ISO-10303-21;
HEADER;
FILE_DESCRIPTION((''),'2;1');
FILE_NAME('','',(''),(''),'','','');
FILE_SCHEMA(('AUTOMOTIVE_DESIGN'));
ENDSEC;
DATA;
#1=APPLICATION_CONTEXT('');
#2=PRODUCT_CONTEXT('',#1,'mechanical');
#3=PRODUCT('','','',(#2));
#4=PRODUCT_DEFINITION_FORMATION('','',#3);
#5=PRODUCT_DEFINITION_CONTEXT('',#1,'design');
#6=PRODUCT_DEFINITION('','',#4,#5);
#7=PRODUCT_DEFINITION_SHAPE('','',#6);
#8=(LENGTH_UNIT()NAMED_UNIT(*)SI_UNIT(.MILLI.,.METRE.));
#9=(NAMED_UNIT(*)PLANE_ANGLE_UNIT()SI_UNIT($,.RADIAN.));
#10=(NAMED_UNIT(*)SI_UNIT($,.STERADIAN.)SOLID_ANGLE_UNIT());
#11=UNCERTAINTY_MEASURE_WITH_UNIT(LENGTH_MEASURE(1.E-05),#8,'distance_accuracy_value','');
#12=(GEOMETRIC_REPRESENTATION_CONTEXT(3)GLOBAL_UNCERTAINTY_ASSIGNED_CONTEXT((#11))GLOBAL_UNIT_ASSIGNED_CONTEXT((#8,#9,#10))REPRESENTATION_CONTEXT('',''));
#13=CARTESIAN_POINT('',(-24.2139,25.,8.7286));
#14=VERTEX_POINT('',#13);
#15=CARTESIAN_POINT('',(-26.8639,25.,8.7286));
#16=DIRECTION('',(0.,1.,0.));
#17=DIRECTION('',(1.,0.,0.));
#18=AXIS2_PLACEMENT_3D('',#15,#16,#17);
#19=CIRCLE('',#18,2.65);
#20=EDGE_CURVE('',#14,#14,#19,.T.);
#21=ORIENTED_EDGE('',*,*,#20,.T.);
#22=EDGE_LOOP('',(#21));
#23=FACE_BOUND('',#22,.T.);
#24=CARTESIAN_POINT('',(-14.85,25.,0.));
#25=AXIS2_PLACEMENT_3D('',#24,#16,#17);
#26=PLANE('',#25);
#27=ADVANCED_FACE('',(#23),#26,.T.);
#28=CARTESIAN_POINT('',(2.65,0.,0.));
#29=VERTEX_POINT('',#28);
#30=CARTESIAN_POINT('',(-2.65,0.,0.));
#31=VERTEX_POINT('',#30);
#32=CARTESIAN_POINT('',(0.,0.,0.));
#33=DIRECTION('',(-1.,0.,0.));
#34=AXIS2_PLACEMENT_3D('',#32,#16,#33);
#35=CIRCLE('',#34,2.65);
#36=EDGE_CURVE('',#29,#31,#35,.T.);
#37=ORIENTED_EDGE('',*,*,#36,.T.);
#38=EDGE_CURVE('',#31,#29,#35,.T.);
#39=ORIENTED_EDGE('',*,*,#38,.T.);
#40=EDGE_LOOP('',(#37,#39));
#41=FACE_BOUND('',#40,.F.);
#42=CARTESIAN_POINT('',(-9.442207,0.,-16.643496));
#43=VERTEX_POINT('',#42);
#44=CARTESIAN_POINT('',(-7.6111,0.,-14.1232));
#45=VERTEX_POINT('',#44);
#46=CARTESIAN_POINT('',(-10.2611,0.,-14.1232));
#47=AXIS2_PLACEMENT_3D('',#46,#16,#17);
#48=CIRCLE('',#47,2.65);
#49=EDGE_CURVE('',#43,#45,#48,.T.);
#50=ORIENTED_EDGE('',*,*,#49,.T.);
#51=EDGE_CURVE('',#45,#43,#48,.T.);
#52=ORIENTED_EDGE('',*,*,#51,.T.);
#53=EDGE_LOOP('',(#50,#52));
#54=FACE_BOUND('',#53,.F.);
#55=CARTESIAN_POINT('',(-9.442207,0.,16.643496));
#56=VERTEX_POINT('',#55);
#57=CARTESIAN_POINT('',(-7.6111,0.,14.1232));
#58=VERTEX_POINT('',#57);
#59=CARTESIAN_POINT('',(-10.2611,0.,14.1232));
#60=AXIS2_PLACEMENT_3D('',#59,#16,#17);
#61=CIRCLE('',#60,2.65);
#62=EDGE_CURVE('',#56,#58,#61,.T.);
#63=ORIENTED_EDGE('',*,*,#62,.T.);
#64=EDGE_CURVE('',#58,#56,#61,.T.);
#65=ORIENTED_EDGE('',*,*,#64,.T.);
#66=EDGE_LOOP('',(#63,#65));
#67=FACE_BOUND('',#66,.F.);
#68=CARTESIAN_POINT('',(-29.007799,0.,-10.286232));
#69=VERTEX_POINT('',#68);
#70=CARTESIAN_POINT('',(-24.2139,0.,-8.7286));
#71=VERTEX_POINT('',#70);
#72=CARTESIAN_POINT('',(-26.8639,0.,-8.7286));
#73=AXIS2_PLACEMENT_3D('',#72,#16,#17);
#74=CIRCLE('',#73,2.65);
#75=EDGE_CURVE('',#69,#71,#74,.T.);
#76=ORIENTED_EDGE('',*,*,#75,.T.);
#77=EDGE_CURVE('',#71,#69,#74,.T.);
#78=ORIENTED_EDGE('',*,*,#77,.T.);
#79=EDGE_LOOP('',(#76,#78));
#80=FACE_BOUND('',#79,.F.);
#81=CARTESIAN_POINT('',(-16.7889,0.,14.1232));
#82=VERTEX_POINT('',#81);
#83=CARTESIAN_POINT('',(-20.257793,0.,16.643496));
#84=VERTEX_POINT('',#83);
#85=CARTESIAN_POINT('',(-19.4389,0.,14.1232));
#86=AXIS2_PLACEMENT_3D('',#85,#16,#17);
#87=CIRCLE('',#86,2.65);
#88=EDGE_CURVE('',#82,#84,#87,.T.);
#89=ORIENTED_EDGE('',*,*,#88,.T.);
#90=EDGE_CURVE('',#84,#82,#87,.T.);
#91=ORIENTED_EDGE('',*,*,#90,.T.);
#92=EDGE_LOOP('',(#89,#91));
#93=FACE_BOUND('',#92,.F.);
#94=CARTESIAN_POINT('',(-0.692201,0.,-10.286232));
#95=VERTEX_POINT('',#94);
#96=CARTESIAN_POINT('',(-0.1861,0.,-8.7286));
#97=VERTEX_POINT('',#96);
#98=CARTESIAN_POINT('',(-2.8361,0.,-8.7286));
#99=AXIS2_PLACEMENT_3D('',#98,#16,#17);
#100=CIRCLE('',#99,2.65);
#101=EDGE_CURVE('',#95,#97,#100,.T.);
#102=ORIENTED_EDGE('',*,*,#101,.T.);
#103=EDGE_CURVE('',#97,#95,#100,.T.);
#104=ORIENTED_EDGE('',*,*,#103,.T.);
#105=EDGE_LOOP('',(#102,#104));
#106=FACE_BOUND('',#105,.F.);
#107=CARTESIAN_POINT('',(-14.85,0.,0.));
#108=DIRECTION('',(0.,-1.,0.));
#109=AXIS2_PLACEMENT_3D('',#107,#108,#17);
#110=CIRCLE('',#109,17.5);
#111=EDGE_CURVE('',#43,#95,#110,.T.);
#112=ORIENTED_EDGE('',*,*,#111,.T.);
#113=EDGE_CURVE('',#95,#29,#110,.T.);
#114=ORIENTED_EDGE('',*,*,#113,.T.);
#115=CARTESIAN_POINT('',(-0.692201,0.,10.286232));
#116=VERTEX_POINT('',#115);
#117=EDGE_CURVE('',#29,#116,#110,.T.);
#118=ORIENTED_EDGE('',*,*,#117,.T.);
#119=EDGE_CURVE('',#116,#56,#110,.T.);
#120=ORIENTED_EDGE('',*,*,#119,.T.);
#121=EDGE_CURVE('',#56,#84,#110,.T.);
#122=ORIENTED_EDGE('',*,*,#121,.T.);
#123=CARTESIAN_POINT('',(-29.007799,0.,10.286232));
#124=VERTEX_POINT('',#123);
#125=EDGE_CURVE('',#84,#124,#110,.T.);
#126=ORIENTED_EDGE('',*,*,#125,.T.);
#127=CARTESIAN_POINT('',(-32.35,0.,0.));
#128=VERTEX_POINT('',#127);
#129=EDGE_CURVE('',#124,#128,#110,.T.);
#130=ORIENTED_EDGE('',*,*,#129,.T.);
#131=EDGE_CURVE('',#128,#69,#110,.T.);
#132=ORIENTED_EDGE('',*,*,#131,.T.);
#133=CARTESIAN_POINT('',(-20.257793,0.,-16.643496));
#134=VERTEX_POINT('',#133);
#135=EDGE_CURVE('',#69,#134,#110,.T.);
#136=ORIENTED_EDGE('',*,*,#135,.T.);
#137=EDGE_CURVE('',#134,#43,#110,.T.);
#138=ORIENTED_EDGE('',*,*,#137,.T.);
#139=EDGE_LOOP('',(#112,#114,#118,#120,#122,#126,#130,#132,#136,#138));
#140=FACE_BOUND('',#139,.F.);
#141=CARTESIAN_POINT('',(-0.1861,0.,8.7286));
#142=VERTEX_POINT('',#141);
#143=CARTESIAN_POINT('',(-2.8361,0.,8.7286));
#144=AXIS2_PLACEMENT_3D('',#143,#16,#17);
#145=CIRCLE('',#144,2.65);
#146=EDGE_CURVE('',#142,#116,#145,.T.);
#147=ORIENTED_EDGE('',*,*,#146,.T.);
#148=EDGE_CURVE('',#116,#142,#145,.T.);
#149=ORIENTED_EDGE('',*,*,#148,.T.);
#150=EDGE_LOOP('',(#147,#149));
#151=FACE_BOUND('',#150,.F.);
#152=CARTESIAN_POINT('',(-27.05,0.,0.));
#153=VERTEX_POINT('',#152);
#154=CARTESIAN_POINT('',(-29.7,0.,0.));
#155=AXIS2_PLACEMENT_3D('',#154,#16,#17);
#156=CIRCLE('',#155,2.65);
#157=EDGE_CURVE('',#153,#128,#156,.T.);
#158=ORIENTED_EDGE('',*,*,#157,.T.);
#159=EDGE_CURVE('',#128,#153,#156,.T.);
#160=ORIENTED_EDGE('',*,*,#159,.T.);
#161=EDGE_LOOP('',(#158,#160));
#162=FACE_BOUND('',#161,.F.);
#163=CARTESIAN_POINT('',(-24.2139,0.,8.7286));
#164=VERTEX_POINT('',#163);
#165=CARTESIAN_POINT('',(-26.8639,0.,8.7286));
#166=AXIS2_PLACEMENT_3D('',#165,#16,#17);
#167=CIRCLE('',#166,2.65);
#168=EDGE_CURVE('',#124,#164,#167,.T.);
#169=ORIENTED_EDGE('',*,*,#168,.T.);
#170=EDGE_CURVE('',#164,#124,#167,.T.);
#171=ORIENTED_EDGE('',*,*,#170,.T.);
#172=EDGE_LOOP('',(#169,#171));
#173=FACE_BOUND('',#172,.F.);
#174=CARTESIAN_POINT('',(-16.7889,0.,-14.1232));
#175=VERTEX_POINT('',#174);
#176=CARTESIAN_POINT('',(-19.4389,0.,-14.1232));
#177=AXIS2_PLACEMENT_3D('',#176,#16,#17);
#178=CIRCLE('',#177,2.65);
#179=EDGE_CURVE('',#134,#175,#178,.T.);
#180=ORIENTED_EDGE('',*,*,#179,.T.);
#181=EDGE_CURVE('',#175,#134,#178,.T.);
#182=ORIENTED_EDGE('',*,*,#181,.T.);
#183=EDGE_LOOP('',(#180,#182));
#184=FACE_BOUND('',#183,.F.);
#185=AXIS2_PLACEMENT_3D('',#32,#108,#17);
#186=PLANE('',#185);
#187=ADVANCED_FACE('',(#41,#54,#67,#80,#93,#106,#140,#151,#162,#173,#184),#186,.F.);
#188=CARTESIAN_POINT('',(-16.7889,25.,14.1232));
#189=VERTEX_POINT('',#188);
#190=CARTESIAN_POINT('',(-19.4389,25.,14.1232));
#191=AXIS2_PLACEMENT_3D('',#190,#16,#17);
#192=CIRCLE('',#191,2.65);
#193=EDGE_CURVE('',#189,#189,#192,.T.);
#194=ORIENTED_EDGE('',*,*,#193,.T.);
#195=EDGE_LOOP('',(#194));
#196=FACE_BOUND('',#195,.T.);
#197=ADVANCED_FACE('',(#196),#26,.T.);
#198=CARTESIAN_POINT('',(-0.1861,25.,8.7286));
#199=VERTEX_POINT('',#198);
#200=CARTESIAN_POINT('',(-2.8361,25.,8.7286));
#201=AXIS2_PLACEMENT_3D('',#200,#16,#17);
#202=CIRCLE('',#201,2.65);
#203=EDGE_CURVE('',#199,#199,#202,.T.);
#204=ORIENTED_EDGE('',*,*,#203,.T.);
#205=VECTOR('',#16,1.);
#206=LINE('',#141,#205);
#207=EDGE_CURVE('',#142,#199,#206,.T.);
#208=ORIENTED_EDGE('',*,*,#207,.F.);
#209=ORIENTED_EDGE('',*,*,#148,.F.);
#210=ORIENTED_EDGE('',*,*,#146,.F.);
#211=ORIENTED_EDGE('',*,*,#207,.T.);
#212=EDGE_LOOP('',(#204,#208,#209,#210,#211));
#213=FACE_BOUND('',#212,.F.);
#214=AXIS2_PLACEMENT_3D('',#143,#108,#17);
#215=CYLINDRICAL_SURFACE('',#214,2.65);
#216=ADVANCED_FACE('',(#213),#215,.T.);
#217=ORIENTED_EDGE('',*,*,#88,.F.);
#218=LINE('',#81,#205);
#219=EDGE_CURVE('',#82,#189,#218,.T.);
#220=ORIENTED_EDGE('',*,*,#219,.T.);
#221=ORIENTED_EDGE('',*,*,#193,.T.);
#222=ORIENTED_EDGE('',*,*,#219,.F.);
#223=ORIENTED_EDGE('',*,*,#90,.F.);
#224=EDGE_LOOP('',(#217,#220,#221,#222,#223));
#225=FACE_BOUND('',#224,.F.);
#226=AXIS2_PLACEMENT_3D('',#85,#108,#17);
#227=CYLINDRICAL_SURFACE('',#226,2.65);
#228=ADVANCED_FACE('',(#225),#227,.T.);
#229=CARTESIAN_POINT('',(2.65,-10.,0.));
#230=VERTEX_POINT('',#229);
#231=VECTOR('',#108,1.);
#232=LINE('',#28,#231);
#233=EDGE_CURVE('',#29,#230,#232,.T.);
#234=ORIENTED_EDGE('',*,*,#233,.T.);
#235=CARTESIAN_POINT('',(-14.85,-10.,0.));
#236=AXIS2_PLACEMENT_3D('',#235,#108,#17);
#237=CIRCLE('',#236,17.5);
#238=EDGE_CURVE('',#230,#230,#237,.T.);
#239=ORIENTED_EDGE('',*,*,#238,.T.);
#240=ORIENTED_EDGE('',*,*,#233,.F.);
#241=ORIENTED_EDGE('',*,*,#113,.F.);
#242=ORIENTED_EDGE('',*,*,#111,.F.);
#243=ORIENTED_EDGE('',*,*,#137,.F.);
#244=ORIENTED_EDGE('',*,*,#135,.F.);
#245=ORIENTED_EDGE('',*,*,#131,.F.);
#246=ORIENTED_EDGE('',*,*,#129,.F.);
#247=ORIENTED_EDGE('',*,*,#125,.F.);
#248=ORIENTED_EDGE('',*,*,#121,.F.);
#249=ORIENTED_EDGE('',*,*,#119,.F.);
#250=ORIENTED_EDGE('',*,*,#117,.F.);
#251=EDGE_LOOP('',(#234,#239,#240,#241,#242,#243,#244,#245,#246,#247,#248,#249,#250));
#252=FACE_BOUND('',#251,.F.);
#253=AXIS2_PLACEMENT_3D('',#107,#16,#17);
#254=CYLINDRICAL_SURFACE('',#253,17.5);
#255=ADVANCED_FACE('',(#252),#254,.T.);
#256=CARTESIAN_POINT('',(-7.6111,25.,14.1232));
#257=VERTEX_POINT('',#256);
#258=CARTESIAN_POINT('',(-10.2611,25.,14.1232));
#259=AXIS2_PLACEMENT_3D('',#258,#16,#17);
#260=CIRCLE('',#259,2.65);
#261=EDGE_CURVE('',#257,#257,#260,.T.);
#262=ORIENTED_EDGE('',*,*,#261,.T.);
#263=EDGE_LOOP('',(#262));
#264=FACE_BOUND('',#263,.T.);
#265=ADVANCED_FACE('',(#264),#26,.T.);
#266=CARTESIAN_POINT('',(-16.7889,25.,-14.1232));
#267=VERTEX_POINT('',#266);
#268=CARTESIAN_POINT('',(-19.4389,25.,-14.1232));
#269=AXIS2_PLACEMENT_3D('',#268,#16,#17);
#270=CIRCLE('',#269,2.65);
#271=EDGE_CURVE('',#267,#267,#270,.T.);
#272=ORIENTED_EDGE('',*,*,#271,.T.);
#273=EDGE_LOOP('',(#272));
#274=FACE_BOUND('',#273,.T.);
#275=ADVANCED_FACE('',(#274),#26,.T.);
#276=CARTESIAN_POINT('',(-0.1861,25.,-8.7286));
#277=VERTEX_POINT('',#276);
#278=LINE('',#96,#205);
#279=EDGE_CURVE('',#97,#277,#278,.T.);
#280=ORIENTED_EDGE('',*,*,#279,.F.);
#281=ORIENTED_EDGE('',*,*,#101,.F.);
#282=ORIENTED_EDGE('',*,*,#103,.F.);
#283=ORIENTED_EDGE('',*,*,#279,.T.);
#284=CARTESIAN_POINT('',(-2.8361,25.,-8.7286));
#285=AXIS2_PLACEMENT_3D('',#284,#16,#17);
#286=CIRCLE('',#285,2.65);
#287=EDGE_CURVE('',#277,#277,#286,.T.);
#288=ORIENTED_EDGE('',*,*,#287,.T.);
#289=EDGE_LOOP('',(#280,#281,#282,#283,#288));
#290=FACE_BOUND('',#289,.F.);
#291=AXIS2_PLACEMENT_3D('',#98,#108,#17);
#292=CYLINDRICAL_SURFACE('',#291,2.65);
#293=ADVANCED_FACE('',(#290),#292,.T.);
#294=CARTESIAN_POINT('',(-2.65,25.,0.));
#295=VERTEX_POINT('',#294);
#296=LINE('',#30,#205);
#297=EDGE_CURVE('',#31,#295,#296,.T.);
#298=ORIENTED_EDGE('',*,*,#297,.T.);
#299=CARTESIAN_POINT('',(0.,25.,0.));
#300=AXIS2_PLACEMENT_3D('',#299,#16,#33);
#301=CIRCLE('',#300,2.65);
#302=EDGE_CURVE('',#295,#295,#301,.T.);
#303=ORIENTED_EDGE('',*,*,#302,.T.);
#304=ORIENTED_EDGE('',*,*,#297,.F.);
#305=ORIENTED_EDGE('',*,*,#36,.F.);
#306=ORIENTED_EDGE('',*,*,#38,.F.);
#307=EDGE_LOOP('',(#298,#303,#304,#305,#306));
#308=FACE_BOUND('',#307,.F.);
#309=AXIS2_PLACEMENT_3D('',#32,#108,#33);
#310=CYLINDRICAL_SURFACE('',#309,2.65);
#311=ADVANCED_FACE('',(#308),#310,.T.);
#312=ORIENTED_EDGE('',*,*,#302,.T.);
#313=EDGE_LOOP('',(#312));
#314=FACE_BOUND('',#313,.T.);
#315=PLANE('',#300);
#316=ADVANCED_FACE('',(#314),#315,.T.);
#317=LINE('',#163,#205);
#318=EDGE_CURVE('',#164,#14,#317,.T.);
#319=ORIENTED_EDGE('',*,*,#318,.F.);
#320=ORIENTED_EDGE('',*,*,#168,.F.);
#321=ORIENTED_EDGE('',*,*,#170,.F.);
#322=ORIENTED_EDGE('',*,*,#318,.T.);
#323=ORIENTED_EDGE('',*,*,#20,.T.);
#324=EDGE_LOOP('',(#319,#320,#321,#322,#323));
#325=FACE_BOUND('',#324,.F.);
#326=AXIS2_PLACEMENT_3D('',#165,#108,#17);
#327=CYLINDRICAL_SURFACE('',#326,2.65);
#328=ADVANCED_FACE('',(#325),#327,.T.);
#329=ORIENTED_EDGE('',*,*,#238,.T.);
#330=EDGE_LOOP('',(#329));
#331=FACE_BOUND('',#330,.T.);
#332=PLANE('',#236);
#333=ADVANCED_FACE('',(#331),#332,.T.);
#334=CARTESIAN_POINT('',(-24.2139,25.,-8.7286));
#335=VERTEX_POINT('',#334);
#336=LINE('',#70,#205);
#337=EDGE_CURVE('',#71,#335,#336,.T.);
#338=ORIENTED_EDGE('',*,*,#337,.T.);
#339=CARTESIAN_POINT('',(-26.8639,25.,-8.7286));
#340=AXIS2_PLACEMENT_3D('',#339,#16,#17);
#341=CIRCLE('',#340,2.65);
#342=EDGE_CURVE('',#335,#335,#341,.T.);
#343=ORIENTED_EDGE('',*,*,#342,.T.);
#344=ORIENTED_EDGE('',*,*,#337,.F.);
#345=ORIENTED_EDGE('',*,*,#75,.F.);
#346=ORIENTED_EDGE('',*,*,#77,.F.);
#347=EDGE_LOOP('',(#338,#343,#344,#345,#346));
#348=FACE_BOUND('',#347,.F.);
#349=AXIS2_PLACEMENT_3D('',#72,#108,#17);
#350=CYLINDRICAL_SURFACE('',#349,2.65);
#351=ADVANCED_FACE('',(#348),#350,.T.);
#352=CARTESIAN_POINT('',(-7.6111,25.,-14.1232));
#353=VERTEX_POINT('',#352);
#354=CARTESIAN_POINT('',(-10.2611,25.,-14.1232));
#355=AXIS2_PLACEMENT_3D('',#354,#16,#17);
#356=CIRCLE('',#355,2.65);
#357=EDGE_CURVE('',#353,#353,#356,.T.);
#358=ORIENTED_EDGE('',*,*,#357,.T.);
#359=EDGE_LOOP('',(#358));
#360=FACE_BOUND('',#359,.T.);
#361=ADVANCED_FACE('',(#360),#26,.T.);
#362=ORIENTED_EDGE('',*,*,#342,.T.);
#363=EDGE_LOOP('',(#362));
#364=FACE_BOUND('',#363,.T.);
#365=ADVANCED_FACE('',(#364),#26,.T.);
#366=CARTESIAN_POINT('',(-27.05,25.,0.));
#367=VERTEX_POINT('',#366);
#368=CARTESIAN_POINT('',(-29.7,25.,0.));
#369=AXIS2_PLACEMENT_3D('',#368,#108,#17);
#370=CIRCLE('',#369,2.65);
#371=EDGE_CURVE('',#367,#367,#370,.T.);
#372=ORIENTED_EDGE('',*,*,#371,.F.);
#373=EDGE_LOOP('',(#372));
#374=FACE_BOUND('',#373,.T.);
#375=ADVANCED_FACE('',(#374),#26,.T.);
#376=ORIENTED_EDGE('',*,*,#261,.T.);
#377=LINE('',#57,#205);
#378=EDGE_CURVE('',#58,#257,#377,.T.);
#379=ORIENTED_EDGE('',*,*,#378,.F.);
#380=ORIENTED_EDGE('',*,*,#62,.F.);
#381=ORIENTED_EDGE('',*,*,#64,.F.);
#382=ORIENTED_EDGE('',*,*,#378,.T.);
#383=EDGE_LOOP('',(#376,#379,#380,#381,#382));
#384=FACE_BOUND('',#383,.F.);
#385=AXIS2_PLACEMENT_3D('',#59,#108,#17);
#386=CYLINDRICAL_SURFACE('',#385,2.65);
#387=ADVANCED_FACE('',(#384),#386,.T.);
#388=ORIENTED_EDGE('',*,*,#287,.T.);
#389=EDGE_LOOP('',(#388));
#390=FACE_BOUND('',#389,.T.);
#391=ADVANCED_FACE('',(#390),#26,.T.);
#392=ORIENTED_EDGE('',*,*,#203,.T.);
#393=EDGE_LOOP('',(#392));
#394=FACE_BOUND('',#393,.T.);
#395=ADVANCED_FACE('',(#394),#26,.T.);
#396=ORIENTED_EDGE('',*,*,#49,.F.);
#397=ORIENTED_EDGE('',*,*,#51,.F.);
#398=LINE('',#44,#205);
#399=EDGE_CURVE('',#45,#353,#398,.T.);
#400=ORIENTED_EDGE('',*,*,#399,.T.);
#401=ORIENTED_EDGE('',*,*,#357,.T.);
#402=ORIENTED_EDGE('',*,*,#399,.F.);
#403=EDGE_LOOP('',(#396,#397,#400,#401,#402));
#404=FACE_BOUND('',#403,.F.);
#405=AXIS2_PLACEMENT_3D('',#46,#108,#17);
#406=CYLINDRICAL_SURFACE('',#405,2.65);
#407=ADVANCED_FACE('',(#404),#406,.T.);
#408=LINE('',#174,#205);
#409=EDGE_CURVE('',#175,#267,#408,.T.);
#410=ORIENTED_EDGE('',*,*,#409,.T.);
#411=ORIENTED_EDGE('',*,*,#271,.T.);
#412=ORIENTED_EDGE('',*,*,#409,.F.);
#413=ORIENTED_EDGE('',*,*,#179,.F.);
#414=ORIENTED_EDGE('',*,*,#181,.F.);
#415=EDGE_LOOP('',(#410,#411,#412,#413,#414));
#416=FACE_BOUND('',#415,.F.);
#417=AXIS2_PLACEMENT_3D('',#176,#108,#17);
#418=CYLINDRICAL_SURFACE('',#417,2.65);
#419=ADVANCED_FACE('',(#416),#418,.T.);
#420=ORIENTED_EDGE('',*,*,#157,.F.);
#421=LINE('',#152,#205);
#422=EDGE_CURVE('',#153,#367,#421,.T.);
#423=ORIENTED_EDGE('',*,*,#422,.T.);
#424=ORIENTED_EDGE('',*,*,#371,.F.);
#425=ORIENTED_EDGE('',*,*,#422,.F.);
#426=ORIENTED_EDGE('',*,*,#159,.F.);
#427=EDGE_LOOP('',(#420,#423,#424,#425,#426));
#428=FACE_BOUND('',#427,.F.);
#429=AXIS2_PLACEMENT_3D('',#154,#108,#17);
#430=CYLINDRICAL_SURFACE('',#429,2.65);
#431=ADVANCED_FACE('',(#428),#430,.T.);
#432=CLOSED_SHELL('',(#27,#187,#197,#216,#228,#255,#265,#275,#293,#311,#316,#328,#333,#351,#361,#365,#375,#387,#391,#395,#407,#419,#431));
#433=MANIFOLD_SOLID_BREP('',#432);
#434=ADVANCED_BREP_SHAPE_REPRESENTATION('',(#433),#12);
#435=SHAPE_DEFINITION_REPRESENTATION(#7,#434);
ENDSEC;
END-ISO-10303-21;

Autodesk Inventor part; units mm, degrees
ref_plane "YZ Plane" through (0, 0, 0) normal (1, 0, 0) x (0, 1, 0)
ref_plane "XZ Plane" through (0, 0, 0) normal (0, 1, 0) x (-1, 0, 0)
ref_plane "XY Plane" through (0, 0, 0) normal (0, 0, 1) x (1, 0, 0)
sketch "Esquisse1" plane through (0, 0, 0) normal (0, 1, 0) x (-1, 0, 0)
  circle A0 centre (0, 0) radius 2.65
  dimension "d0" = 5.3
extrude "Extrusion1" add sketch "Esquisse1" along normal blind 25
sketch "Esquisse2" plane through (0, 0, 0) normal (0, -1, 0) x (1, 0, 0)
  line L0 (2.65, 5.0753) -> (2.65, -12.6206) construction
  circle A0 centre (0, 0) radius 2.65 projected
  circle A1 centre (-14.85, 0) radius 17.5
  line L1 (8.7278, 0) -> (-17.8614, 0) construction
  point P0 (2.65, 0)
  dimension "d4" = 35
extrude "Extrusion2" add sketch "Esquisse2" along normal blind 10
sketch "Esquisse3" plane through (-14.85, 0, 0) normal (0, 1, 0) x (1, 0, 0)
  line L0 (-17.5, -20.7984) -> (-17.5, 1.736) construction
  circle A0 centre (-12.0139, 8.7286) radius 2.65
  circle A1 centre (-14.85, 0) radius 2.65
  circle A2 centre (-4.5889, 14.1232) radius 2.65
  line L1 (-4.5889, 14.1232) -> (-12.0139, 8.7286) construction
  line L2 (-12.0139, 8.7286) -> (-14.85, 0) construction
  line L3 (-14.85, 0) -> (0, 0) construction
  line L4 (-12.0139, 8.7286) -> (0, 0) construction
  line L5 (-4.5889, 14.1232) -> (0, 0) construction
  line L6 (-14.85, 0) -> (-17.5, 0) construction
  line L7 (-12.0139, 8.7286) -> (-14.1601, 10.283) construction
  line L8 (-4.5889, 14.1232) -> (-6.9476, 15.3312) construction
  line L9 (0, 30.0966) -> (0, -33.1039)
  line L10 (-38.7679, 0) -> (42.4396, 0)
  circle A3 centre (12.0139, 8.7286) radius 2.65
  circle A4 centre (4.5889, 14.1232) radius 2.65
  circle A5 centre (-12.0139, -8.7286) radius 2.65
  circle A6 centre (-4.5889, -14.1232) radius 2.65
  circle A7 centre (4.5889, -14.1232) radius 2.65
  circle A8 centre (12.0139, -8.7286) radius 2.65
  dimension "d14" = 5.3
extrude "Extrusion3" add sketch "Esquisse3" along normal blind 25
sketch "Esquisse4" plane through (-14.85, -10, 0) normal (0, -1, 0) x (1, 0, 0)
  circle A0 centre (14.85, 0) radius 2.65
extrude "Extrusion4" add sketch "Esquisse4" against normal blind 10
properties part number "piece_roue_test_1"
